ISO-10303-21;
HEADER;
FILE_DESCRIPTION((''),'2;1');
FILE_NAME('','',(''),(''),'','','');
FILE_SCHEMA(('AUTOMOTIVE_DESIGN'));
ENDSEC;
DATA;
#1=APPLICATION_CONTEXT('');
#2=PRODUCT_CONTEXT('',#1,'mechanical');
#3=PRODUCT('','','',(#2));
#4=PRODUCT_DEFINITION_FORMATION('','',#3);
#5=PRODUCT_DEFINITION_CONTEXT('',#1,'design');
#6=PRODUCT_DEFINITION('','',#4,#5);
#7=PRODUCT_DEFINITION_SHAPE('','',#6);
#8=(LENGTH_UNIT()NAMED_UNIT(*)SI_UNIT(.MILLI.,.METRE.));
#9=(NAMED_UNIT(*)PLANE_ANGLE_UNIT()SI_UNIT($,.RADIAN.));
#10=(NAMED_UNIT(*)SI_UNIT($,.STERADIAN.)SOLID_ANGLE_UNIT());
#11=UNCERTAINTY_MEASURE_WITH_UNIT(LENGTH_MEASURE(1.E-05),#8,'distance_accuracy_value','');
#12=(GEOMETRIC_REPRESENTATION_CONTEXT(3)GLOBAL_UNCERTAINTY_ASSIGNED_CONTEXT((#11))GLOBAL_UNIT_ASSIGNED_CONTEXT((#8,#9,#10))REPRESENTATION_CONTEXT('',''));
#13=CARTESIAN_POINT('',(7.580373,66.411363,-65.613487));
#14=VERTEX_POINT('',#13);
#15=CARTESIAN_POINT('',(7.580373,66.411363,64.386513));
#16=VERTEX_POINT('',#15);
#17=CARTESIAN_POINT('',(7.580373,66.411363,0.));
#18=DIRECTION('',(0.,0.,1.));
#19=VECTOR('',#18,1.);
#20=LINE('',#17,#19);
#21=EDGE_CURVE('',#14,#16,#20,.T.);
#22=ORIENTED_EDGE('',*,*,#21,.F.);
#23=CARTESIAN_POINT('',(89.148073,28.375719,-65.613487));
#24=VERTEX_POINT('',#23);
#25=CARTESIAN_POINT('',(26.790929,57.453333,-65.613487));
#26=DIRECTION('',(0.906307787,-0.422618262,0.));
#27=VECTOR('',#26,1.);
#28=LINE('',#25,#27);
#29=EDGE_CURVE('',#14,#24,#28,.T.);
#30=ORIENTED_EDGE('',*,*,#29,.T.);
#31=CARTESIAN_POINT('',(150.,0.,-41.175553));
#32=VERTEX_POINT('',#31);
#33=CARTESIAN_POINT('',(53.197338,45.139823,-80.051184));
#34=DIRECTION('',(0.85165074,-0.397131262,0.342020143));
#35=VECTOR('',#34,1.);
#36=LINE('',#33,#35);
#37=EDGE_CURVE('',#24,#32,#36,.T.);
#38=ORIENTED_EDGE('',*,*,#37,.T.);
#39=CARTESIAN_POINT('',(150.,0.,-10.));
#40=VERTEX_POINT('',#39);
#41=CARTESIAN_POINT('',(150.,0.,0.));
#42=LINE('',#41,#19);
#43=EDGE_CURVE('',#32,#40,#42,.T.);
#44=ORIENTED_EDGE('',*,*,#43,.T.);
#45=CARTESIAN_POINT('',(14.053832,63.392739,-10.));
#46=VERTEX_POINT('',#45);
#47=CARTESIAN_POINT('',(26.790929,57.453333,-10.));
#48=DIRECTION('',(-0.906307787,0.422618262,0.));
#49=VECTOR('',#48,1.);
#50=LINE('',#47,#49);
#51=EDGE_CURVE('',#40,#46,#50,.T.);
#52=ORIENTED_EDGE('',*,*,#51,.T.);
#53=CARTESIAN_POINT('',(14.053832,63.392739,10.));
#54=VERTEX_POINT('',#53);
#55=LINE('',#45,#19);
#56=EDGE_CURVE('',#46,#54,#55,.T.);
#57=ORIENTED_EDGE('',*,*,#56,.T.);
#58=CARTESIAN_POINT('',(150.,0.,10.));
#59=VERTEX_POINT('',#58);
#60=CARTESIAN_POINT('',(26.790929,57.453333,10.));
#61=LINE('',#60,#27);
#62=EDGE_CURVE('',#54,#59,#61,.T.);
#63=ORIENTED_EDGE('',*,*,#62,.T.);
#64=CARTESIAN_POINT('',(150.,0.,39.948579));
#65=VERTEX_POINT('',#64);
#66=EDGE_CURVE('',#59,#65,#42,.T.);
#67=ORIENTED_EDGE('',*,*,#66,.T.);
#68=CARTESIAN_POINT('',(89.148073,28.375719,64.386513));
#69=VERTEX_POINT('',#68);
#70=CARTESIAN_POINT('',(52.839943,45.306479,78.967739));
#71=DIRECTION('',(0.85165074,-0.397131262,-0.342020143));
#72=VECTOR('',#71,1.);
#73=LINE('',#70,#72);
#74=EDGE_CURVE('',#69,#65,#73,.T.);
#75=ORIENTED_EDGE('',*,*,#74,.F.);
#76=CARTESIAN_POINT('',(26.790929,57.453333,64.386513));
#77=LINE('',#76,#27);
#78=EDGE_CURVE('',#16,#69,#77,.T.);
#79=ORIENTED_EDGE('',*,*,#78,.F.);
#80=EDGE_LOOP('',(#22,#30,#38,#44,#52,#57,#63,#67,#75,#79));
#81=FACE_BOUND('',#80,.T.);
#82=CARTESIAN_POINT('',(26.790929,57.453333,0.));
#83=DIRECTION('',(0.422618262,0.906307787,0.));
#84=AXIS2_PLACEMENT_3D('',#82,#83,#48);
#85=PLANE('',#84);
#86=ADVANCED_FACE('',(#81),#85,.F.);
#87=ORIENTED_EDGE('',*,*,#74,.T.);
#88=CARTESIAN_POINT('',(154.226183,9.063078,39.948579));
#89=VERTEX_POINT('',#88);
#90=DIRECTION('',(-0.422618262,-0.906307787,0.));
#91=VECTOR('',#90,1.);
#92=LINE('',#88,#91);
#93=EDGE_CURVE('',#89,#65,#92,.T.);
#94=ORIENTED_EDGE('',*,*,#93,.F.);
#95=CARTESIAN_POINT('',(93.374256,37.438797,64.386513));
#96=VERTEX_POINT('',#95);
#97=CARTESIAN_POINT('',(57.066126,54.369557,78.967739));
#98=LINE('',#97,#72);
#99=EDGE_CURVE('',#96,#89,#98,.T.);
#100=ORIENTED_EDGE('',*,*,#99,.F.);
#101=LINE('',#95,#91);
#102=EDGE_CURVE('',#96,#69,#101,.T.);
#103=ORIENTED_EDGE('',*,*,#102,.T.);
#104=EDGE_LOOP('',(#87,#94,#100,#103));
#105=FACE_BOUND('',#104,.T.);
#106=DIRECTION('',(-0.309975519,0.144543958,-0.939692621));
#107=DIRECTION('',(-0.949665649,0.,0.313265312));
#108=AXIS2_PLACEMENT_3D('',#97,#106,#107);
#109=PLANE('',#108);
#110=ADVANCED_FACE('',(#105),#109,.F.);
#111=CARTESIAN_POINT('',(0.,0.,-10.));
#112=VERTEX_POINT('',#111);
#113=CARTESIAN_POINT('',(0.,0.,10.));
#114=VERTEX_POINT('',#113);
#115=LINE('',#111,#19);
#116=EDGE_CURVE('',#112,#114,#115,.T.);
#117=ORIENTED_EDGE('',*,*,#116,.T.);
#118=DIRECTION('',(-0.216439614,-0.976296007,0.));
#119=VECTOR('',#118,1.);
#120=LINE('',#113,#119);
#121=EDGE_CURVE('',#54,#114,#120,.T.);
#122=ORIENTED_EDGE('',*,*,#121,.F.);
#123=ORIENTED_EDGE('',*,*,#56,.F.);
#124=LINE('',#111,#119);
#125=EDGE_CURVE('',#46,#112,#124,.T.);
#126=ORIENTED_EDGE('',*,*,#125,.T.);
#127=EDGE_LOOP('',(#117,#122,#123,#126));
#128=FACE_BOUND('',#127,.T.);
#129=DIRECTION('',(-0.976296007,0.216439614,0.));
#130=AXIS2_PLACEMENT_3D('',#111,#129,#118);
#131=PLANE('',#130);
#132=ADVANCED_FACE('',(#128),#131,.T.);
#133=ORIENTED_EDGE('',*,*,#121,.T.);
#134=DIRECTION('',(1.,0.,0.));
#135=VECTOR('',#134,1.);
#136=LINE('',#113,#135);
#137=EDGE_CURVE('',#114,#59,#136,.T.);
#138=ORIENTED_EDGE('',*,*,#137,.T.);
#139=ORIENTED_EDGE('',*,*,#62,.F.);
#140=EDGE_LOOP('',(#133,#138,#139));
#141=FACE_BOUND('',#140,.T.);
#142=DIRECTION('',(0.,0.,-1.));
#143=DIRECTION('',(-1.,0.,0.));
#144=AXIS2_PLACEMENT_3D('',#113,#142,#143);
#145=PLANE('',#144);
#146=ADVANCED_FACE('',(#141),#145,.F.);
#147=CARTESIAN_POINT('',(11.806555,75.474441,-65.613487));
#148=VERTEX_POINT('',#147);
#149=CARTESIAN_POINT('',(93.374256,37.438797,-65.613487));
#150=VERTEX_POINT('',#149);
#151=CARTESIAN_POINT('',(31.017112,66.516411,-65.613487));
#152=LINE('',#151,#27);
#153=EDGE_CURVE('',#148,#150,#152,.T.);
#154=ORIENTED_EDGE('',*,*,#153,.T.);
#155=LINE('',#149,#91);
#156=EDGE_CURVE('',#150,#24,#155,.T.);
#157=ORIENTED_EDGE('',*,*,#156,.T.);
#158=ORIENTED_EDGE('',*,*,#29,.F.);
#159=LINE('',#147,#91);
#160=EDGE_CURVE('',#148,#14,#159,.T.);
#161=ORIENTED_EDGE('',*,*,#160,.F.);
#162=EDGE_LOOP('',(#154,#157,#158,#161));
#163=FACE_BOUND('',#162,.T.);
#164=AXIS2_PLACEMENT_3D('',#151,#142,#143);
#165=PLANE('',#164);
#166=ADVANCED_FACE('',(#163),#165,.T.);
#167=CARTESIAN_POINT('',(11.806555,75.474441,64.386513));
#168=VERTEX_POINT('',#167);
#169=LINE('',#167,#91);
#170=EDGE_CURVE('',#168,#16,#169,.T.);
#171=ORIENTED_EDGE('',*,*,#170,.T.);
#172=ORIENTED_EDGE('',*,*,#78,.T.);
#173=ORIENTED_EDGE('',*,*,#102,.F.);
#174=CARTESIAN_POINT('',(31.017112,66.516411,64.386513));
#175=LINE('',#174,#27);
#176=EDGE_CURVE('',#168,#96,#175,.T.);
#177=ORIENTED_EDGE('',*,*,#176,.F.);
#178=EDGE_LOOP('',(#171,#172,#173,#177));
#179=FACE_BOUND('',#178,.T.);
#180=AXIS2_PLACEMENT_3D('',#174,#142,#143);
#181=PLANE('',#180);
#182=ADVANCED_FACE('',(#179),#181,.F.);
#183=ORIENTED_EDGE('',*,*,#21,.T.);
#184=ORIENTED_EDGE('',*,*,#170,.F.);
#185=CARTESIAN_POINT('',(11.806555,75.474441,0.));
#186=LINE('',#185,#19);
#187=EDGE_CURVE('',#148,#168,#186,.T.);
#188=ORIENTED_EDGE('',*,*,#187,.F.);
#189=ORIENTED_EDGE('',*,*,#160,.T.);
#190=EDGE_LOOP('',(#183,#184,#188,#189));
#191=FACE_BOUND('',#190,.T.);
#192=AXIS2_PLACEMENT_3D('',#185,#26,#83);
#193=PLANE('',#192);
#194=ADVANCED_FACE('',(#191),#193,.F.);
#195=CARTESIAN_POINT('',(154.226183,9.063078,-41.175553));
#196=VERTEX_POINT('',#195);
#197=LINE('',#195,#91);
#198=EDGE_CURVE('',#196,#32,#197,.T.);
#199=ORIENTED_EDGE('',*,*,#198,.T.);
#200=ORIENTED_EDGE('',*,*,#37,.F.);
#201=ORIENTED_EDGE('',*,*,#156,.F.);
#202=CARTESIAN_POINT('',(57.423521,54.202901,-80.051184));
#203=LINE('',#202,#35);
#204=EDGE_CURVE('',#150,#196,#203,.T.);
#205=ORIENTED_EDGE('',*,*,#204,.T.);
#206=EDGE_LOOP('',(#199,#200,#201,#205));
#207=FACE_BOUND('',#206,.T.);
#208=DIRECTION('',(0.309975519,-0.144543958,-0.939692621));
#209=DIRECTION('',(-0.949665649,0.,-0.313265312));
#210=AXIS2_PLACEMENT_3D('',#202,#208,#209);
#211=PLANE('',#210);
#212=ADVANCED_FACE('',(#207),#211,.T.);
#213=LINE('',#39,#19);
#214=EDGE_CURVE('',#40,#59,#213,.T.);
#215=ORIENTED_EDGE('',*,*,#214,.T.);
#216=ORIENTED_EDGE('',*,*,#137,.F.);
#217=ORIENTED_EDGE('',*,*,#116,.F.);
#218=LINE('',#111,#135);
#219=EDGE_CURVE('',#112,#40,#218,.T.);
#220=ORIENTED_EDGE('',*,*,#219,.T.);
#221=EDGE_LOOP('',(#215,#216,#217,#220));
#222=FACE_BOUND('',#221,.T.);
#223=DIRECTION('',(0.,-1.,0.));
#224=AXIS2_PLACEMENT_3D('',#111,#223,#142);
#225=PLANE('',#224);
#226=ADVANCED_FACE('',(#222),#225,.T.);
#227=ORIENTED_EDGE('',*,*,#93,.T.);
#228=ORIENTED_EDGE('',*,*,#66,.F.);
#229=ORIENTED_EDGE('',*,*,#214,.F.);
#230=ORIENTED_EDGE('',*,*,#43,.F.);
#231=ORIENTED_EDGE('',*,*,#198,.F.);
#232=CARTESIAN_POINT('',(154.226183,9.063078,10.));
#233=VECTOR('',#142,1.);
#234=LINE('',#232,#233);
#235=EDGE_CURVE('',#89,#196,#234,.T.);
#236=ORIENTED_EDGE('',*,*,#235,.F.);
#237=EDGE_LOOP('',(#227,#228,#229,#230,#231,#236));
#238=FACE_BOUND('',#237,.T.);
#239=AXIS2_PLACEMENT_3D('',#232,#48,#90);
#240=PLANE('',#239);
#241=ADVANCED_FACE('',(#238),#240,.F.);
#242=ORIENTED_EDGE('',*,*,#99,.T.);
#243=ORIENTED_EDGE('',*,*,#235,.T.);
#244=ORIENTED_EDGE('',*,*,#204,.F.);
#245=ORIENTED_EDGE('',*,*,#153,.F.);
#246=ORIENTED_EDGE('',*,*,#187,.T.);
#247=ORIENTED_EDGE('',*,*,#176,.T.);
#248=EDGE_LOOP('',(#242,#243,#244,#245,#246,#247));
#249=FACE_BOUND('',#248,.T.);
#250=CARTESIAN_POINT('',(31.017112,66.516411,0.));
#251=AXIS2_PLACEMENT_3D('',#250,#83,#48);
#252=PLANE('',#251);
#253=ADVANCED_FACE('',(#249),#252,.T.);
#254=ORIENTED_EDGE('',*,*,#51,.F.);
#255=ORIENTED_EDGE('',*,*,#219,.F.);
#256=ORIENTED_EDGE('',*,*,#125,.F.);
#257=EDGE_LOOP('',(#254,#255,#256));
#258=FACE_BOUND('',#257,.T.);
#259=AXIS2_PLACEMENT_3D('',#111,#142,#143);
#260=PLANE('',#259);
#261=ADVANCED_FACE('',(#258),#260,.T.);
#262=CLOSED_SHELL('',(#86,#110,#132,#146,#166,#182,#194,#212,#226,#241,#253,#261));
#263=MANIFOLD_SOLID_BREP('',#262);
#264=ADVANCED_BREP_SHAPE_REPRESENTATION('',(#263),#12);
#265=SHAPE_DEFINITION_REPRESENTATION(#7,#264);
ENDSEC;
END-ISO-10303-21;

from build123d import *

# Parameters (mm, degrees)
BOSS_EXTRUDE1_DEPTH      = 10
BOSS_EXTRUDE1_DEPTH_BACK = 10
BOSS_EXTRUDE2_DEPTH      = 10
SKETCH3_W                = 150
SKETCH3_H                = 20
BOSS_EXTRUDE3_DEPTH      = 10


with BuildPart() as part:
    # Sketch1 → Boss-Extrude1 (new, two sides: drawn at the far end of the back side and taken through both)
    with BuildSketch(Plane.XY.offset(-BOSS_EXTRUDE1_DEPTH_BACK)):
        Polygon((0, 0), (150, 0), (14.053831945, 63.392739261), align=None)
    extrude(amount=BOSS_EXTRUDE1_DEPTH + BOSS_EXTRUDE1_DEPTH_BACK)



with BuildPart() as body_2:
    # Sketch2 → Boss-Extrude2 (new body)
    with BuildSketch(Plane(origin=(26.790929274, 57.453333234, 0), x_dir=(0.9063077870366495, -0.42261826174070033, 0), z_dir=(0.42261826174070033, 0.9063077870366495, 0))):
        Polygon((68.803496006, 65.613486746), (-21.196503994, 65.613486746), (-21.196503994, -64.386513254), (68.803496006, -64.386513254), (135.946168055, -39.948579179), (135.946168055, -10), (-14.053831945, -10), (-14.053831945, 10), (135.946168055, 10), (135.946168055, 41.175552671), align=None)
    extrude(amount=BOSS_EXTRUDE2_DEPTH)


with BuildPart() as part_1:
    add(part.part)

    add(body_2.part)  # Boss-Extrude3 merges body 2
    # Sketch3 → Boss-Extrude3 (add)
    with BuildSketch(Plane(origin=(26.790929274, 57.453333234, 0), x_dir=(0.9063077870366495, -0.42261826174070033, 0), z_dir=(0.42261826174070033, 0.9063077870366495, 0))):
        with Locations((60.946168055, 0)):
            Rectangle(SKETCH3_W, SKETCH3_H)
    extrude(amount=BOSS_EXTRUDE3_DEPTH)


solid = part_1.part
